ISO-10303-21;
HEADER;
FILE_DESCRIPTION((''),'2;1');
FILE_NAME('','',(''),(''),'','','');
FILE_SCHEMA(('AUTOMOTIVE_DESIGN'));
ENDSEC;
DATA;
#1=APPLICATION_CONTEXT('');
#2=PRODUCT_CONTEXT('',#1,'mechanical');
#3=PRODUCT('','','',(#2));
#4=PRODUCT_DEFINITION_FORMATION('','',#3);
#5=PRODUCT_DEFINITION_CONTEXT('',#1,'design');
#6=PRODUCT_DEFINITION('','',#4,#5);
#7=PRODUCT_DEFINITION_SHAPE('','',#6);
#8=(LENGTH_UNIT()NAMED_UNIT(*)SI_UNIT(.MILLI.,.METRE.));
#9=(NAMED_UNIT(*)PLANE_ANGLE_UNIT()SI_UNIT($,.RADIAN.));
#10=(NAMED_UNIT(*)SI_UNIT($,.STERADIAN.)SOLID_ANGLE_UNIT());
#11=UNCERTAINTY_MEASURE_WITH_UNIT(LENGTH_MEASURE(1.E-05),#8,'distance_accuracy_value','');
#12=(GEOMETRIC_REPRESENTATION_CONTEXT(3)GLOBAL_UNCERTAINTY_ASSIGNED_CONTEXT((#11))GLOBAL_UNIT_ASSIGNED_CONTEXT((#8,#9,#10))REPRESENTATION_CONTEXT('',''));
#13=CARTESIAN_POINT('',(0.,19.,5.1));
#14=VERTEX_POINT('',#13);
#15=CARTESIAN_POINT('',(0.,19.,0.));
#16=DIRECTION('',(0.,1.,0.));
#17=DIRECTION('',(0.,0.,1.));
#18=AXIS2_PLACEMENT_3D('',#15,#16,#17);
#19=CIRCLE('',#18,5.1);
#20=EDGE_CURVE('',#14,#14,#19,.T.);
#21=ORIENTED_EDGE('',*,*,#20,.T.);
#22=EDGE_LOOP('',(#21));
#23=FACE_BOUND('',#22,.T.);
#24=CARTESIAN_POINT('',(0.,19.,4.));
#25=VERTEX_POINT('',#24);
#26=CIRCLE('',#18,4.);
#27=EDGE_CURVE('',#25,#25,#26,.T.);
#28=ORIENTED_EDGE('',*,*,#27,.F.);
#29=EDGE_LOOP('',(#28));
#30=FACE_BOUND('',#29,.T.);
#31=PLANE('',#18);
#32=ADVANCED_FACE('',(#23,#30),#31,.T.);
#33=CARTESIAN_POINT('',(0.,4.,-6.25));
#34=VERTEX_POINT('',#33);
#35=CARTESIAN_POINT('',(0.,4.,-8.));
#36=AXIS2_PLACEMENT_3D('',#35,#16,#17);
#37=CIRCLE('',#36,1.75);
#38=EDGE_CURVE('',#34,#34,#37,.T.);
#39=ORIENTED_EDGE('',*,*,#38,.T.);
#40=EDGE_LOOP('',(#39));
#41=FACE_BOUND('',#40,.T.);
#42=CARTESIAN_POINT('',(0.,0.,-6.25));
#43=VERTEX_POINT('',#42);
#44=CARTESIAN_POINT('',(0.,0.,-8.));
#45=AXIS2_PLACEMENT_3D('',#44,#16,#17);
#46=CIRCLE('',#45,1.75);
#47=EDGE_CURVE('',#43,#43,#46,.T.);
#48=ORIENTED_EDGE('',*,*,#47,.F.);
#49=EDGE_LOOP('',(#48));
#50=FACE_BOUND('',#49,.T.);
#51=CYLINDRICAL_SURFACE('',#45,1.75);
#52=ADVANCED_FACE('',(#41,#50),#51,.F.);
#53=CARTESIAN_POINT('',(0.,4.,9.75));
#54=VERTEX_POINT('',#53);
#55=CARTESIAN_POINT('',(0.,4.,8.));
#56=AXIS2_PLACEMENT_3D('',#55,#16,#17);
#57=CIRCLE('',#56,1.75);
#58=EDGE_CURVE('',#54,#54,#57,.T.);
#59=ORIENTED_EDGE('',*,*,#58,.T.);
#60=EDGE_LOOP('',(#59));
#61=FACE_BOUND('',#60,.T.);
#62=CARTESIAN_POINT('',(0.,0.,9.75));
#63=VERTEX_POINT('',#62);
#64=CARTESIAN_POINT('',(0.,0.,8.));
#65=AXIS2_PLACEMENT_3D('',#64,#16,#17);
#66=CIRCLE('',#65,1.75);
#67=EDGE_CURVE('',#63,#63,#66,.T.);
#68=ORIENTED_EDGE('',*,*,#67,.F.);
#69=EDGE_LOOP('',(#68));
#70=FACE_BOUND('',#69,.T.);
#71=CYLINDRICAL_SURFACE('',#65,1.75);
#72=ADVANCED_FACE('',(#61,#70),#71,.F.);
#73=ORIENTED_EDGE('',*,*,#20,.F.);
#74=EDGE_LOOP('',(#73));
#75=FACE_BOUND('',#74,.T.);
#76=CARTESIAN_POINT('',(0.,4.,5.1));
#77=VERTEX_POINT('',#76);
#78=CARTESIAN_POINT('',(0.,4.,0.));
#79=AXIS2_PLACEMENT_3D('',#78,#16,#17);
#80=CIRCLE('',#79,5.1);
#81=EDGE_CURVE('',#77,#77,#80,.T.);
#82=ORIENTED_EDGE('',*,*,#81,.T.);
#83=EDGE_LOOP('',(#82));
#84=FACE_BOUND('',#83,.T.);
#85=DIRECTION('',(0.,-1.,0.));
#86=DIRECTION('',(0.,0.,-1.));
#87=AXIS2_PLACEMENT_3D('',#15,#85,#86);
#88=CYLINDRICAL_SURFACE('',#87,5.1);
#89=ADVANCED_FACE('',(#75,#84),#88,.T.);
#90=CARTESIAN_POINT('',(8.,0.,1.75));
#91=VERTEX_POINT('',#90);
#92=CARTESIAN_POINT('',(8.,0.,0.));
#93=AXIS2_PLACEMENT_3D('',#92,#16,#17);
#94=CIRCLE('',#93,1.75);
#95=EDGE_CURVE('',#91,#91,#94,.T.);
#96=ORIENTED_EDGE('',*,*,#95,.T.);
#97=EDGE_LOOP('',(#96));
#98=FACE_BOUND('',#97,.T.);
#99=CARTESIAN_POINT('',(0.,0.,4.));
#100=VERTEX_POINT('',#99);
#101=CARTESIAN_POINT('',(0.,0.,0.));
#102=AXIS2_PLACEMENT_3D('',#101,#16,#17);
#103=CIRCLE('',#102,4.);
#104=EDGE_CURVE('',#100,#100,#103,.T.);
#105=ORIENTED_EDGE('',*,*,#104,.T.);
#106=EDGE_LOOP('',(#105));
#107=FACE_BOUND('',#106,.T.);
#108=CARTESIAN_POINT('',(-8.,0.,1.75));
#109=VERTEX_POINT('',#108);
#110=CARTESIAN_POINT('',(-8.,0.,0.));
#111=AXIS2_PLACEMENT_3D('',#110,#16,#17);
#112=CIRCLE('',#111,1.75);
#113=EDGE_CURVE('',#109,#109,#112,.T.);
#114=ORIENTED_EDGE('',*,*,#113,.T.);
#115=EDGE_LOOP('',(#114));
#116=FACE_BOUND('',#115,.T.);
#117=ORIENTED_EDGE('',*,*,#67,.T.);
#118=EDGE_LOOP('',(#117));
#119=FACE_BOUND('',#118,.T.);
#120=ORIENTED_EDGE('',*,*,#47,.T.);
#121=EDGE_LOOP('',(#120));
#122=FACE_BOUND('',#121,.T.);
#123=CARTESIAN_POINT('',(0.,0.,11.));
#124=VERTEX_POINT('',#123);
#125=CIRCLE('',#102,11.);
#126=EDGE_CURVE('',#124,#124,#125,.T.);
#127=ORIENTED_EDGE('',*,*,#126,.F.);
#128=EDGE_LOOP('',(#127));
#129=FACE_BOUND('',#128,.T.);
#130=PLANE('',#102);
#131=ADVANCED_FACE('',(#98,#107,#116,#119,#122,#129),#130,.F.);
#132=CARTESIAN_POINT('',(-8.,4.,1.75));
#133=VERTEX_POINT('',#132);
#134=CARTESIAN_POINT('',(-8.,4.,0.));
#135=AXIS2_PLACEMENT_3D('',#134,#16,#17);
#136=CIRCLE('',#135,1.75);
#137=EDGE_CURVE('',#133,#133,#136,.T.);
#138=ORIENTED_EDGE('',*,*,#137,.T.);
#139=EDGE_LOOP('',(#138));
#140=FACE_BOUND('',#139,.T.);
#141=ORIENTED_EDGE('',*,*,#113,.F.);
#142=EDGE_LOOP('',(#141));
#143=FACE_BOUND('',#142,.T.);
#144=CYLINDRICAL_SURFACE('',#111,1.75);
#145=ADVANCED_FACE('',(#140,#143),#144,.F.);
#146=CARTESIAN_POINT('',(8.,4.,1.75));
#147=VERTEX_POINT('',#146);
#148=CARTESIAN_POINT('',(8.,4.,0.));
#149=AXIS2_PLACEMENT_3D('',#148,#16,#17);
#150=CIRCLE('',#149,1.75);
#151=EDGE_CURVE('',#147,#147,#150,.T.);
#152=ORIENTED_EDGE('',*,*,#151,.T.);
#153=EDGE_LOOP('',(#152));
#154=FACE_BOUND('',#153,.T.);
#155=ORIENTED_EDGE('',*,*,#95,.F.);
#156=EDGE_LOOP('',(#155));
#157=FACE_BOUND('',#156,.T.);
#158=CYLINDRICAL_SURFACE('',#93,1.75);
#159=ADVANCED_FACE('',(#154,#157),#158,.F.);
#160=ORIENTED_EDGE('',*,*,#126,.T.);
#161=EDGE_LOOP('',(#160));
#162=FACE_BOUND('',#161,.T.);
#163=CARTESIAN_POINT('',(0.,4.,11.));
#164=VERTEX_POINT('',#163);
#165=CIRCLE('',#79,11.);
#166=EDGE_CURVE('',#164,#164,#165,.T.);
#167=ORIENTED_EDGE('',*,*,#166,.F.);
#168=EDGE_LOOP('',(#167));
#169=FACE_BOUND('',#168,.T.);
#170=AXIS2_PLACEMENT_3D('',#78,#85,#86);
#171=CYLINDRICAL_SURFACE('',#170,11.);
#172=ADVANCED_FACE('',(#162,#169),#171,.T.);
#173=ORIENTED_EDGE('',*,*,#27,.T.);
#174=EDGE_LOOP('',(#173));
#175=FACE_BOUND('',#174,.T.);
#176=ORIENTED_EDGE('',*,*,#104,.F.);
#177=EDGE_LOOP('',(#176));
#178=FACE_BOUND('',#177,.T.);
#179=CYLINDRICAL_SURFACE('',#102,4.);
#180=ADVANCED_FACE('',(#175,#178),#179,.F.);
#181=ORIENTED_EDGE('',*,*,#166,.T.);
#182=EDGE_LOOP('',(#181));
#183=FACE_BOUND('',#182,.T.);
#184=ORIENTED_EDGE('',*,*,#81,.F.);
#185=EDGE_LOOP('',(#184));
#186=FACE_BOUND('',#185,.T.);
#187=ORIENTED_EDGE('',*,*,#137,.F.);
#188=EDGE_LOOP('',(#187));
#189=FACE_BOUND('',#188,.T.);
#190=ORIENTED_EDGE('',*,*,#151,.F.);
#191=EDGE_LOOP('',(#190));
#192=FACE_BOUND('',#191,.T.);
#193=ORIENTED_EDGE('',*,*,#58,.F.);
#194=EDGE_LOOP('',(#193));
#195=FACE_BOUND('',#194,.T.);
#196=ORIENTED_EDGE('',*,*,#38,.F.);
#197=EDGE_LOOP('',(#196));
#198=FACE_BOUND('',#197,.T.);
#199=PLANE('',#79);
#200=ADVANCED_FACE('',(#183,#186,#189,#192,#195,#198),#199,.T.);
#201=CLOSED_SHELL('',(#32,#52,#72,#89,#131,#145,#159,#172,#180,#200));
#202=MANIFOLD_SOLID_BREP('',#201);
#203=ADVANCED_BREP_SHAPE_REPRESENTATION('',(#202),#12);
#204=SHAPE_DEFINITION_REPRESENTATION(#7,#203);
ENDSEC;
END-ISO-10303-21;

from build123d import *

# Parameters (mm, degrees)
SKETCH1_R           = 11
BOSS_EXTRUDE1_DEPTH = 4
SKETCH2_R           = 5.1
BOSS_EXTRUDE2_DEPTH = 15
SKETCH3_R           = 4
CUT_EXTRUDE1_DEPTH  = 25.556058316
SKETCH4_R           = 1.75
CUT_EXTRUDE2_DEPTH  = 22.610182785


with BuildPart() as part:
    # Sketch1 → Boss-Extrude1 (new body)
    with BuildSketch(Plane(origin=(0, 0, 0), x_dir=(1, 0, 0), z_dir=(0, 1, 0))):
        with Locations(Location((0, 0, 0), (0, 0, 270))):
            Circle(SKETCH1_R)
    extrude(amount=BOSS_EXTRUDE1_DEPTH)

    # Sketch2 → Boss-Extrude2 (add)
    with BuildSketch(Plane(origin=(0, 4, 0), x_dir=(1, 0, 0), z_dir=(0, 1, 0))):
        with Locations(Location((0, 0, 0), (0, 0, 270))):
            Circle(SKETCH2_R)
    extrude(amount=BOSS_EXTRUDE2_DEPTH)

    # Sketch3 → Cut-Extrude1 (cut, through all)
    with BuildSketch(Plane(origin=(0, 19, 0), x_dir=(1, 0, 0), z_dir=(0, 1, 0))):
        with Locations(Location((0, 0, 0), (0, 0, 270))):
            Circle(SKETCH3_R)
    extrude(amount=-CUT_EXTRUDE1_DEPTH, mode=Mode.SUBTRACT)

    # Sketch4 → Cut-Extrude2 (cut, through all)
    with BuildSketch(Plane(origin=(0, 4, 0), x_dir=(1, 0, 0), z_dir=(0, 1, 0))):
        with Locations(Location((0, 8, 0), (0, 0, 270))):
            Circle(SKETCH4_R)
        with Locations(Location((0, -8, 0), (0, 0, 270))):
            Circle(SKETCH4_R)
        with Locations(Location((-8, 0, 0), (0, 0, 270))):
            Circle(SKETCH4_R)
        with Locations(Location((8, 0, 0), (0, 0, 270))):
            Circle(SKETCH4_R)
    extrude(amount=-CUT_EXTRUDE2_DEPTH, mode=Mode.SUBTRACT)


solid = part.part
